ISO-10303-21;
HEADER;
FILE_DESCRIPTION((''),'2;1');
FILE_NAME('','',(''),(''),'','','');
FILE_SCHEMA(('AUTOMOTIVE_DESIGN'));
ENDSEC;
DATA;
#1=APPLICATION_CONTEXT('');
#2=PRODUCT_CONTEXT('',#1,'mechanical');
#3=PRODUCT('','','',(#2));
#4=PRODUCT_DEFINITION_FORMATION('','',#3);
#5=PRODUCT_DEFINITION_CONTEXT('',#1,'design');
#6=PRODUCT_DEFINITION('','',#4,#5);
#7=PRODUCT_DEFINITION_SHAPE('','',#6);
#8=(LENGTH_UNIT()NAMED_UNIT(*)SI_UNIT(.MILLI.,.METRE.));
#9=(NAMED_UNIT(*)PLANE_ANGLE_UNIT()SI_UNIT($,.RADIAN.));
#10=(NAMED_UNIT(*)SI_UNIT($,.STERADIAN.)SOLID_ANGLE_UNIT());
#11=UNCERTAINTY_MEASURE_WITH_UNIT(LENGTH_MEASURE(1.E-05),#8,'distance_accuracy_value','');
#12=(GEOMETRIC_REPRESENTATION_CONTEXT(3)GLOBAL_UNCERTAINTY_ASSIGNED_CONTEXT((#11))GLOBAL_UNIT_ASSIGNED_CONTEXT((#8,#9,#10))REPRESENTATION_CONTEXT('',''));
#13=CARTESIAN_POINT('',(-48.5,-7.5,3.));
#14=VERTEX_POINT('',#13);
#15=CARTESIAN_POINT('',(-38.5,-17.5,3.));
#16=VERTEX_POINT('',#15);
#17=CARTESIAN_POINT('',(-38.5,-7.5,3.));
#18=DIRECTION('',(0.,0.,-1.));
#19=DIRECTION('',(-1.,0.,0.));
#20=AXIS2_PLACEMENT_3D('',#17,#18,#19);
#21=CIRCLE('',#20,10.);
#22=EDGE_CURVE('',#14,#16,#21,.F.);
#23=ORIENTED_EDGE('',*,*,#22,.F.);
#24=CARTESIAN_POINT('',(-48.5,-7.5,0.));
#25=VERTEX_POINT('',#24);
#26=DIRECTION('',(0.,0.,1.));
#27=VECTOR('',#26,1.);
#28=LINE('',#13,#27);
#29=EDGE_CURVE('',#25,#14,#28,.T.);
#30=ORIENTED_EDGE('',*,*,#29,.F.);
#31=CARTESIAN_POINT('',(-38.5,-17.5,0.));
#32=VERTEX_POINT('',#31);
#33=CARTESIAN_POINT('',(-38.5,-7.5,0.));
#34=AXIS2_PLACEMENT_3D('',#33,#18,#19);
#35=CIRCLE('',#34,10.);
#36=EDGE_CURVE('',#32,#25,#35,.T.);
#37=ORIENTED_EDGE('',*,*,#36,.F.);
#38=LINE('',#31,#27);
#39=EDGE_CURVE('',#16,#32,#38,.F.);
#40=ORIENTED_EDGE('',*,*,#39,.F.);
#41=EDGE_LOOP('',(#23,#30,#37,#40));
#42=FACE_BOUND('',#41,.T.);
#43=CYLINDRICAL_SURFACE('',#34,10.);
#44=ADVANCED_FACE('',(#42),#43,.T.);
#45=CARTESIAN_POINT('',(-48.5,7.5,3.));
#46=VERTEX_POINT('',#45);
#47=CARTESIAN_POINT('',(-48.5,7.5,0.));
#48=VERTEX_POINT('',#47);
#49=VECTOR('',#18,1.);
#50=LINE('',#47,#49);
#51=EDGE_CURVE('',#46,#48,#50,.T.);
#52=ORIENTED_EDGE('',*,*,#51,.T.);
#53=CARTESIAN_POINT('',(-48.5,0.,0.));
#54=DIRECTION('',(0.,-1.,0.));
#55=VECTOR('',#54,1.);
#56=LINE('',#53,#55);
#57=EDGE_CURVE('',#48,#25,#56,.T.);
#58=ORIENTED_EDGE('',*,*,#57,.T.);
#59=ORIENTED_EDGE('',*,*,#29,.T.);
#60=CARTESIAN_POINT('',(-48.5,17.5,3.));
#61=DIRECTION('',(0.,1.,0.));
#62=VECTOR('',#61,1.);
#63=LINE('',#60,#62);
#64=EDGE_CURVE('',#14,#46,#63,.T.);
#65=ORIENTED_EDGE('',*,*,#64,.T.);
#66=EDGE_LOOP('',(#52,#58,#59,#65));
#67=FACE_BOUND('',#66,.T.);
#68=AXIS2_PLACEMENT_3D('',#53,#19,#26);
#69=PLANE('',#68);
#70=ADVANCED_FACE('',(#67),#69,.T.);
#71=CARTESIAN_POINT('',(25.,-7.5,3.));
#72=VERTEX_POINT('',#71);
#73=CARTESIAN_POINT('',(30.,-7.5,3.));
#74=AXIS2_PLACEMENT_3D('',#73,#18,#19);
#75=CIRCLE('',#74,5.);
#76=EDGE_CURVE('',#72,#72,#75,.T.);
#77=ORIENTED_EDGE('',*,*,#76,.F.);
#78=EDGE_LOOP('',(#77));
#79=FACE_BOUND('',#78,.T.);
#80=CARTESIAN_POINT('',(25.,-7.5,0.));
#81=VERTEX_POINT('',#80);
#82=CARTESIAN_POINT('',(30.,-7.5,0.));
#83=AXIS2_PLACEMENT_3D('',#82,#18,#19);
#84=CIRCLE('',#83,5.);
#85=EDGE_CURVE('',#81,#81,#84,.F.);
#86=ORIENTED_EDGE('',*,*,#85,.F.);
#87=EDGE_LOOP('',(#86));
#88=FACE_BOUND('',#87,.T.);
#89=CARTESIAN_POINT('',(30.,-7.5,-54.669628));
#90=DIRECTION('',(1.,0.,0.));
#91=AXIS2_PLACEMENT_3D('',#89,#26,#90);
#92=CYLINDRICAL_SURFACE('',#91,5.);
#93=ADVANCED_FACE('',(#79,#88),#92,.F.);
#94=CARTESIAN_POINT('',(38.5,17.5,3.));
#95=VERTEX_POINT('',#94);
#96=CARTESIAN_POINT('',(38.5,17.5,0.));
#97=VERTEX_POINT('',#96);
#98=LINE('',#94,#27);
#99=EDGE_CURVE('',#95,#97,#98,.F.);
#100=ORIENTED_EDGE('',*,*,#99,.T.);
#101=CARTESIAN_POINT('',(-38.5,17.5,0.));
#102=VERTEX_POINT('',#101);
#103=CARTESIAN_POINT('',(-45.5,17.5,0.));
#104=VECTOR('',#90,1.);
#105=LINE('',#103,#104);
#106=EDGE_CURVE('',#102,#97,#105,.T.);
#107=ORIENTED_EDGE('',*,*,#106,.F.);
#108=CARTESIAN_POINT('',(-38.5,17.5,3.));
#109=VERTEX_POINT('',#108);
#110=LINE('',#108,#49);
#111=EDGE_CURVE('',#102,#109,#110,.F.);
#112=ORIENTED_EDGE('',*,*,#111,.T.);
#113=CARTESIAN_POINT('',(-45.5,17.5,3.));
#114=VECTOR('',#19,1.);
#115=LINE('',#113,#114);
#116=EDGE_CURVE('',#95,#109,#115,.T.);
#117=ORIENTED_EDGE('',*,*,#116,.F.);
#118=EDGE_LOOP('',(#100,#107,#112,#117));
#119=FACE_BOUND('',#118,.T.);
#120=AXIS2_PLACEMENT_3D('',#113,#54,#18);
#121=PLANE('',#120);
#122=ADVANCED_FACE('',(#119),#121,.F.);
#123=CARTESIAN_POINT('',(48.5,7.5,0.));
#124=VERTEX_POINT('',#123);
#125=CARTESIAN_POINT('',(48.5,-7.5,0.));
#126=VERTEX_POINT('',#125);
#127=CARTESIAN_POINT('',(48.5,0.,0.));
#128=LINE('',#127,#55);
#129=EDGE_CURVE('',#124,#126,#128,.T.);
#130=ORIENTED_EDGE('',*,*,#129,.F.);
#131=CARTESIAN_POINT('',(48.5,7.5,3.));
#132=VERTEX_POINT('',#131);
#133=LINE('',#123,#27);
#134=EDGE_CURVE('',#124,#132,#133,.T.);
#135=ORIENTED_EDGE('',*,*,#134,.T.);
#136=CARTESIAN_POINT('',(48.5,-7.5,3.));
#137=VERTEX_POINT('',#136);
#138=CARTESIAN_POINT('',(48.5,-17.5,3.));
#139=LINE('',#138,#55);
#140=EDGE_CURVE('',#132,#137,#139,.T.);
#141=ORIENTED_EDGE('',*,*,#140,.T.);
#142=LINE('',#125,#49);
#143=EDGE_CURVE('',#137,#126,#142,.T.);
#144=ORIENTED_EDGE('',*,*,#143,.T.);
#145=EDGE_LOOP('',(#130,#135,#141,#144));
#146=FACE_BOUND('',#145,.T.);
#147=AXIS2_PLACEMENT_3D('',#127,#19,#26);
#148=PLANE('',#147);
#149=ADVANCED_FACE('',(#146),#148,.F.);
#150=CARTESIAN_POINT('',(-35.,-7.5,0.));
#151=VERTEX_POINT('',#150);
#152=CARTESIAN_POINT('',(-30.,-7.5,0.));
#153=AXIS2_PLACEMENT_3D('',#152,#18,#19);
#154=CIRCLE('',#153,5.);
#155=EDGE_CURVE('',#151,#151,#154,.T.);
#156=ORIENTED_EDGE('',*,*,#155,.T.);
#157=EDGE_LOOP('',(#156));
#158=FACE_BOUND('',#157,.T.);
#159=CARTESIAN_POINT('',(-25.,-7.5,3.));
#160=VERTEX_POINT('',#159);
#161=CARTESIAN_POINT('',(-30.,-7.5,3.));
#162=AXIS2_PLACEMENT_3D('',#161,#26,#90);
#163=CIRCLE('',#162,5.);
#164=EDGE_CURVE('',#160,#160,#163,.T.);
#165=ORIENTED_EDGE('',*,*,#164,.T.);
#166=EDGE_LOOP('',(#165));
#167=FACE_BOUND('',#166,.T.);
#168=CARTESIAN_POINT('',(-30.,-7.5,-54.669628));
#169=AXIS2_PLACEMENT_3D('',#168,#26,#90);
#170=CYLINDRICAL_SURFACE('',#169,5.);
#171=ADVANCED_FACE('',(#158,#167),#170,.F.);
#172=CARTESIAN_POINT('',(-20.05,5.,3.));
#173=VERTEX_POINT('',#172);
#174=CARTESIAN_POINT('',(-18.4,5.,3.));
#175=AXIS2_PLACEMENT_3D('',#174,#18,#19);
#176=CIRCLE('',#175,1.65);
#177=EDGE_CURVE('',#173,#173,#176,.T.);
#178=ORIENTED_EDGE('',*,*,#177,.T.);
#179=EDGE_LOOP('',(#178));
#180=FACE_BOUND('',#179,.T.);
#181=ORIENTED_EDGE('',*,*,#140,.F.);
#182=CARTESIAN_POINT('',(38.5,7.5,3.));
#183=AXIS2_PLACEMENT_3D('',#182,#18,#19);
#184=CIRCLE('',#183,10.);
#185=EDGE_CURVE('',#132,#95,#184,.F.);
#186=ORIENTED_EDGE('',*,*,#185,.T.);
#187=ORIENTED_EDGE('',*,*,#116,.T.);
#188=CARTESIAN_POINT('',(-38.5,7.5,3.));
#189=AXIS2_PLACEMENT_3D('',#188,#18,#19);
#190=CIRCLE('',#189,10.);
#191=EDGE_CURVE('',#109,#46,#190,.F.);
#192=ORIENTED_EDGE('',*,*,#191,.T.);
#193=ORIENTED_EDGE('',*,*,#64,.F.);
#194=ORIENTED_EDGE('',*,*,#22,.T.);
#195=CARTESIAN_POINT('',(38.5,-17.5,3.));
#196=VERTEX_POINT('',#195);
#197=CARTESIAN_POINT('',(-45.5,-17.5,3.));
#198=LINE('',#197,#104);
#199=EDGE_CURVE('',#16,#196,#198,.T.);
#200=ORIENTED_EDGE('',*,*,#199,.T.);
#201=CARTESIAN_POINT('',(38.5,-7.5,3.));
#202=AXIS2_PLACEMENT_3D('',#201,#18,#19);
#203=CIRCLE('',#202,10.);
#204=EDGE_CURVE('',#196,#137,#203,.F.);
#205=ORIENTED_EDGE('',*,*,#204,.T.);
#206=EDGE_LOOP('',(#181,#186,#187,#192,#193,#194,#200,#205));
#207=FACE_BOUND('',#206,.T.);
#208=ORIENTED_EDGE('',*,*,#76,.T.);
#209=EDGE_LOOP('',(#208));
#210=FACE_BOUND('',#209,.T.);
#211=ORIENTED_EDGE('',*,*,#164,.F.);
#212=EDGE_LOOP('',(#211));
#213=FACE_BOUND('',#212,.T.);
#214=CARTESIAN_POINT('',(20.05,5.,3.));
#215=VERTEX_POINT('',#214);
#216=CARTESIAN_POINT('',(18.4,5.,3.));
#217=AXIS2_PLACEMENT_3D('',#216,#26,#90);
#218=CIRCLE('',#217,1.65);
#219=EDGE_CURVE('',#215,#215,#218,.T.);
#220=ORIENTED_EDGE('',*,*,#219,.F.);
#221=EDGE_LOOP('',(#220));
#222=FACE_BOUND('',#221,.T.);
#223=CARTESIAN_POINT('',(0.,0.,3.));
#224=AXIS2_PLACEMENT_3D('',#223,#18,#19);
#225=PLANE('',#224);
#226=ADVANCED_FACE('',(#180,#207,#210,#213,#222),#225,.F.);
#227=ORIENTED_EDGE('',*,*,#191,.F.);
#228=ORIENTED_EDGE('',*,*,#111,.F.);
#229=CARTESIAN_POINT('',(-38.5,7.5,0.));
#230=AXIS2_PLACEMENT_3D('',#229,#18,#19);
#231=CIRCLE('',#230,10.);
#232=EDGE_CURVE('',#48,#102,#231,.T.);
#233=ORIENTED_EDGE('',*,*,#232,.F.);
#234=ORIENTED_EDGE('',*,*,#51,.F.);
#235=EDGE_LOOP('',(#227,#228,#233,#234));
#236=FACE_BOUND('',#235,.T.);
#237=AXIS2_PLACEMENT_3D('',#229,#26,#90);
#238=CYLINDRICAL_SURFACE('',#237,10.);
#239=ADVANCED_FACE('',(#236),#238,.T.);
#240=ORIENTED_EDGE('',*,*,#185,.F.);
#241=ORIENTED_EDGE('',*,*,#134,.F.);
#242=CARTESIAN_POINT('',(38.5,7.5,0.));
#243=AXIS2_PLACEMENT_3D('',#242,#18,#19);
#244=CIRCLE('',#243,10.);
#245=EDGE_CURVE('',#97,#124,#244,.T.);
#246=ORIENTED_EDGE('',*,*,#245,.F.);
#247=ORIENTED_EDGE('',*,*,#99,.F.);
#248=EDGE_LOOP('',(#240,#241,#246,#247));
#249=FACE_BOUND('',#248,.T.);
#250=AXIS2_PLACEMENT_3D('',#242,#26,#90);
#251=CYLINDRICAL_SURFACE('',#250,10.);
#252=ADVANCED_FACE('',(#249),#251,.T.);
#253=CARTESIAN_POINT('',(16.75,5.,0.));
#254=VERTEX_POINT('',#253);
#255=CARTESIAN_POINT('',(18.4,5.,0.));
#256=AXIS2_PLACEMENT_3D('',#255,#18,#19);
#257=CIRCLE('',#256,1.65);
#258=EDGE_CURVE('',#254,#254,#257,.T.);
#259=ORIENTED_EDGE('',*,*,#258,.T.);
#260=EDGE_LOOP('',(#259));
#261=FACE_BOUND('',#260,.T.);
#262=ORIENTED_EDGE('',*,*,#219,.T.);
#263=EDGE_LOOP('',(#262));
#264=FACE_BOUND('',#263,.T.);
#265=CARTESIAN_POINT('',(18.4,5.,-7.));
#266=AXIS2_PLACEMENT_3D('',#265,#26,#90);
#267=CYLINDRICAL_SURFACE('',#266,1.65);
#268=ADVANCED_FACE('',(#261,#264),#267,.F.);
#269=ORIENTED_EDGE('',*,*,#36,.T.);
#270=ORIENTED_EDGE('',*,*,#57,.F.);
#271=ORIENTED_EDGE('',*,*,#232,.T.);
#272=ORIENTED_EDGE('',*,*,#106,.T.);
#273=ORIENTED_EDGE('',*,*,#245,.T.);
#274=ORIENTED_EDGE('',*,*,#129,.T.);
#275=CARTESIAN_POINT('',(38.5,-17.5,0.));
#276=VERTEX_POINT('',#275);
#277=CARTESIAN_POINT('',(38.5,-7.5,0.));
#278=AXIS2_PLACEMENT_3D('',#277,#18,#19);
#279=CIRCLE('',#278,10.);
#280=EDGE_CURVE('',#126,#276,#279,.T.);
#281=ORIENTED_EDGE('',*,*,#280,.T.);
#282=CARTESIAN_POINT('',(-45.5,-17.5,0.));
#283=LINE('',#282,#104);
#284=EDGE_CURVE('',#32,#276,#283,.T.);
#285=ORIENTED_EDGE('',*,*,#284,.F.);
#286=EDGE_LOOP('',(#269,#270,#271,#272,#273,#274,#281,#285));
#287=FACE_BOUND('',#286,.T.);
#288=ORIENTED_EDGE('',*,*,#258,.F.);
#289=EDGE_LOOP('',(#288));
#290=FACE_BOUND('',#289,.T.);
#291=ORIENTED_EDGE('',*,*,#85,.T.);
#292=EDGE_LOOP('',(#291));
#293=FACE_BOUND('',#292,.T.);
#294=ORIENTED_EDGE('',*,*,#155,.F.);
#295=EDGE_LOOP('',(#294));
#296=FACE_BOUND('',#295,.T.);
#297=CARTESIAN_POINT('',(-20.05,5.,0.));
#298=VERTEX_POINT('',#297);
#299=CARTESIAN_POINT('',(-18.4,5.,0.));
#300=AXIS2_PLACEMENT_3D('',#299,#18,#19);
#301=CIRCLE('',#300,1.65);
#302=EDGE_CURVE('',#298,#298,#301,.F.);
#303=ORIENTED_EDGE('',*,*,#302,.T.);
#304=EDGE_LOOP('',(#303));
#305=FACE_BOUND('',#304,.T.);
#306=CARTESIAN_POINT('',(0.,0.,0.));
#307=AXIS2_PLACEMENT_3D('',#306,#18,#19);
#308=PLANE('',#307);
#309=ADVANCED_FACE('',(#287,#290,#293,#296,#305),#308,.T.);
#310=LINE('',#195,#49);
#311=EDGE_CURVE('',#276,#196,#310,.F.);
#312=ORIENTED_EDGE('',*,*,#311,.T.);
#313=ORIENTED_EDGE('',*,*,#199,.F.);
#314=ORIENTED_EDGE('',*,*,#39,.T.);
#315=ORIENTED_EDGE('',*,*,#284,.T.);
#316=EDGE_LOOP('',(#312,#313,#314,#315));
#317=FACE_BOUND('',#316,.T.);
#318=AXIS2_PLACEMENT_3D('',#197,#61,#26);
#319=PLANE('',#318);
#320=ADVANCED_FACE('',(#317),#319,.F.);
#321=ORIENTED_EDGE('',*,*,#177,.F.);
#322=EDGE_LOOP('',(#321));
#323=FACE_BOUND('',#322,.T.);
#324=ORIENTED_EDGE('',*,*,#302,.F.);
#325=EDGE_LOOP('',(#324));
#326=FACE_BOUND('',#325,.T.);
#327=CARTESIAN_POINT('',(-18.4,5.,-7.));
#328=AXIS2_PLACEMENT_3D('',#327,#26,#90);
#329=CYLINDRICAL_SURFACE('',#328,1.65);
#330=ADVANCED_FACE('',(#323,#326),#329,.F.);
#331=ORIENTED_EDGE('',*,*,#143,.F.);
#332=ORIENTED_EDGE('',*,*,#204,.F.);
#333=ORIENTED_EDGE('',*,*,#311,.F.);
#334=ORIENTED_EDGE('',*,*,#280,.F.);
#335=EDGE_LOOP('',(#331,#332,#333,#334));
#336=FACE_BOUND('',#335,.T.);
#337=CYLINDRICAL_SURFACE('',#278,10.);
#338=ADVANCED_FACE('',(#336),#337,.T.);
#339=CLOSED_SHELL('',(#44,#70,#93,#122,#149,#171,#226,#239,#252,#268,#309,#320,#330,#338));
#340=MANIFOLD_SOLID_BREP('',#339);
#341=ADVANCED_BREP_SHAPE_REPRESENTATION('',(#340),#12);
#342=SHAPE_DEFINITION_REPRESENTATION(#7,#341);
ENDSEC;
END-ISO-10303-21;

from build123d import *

# Parameters (mm, degrees)
SKETCH_1_W          = 91
SKETCH_1_H          = 35
EXTRUDE_2_DEPTH     = 3
SKETCH_2_R          = 1.25
CUT_EXTRUDE_1_DEPTH = 3
SKETCH_3_W          = 91
SKETCH_3_H          = 3
EXTRUDE_3_DEPTH     = 12
EXTRUDE_4_DEPTH     = 3
SKETCH_6_R          = 1.25
CUT_EXTRUDE_2_DEPTH = 3
SKETCH_7_W          = 27
SKETCH_7_H          = 35
EXTRUDE_5_DEPTH     = 3
SKETCH_8_R          = 1.25
CUT_EXTRUDE_3_DEPTH = 3
CUT_EXTRUDE_4_DEPTH = 57.669628421
SKETCH_10_R         = 5
CUT_EXTRUDE_5_DEPTH = 57.669628421
FILLET_1_R          = 10
SKETCH_11_R         = 1.65
CUT_EXTRUDE_6_DEPTH = 10
EXTRUDE_START       = -3
SKETCH_12_R         = 1.25
EXTRUDE_6_DEPTH     = 3


with BuildPart() as part:
    # 草图1 → 凸台-拉伸2 (new body)
    with BuildSketch(Plane.XY):
        Rectangle(SKETCH_1_W, SKETCH_1_H)
    extrude(amount=EXTRUDE_2_DEPTH)

    # 草图2 → 切除-拉伸1 (cut)
    with BuildSketch(Plane(origin=(0, 0, 0), x_dir=(-1, 0, 0), z_dir=(0, 0, -1))):
        with Locations((-22.5, 5)):
            Circle(SKETCH_2_R)
        with Locations(Location((22.5, 5, 0), (0, 0, 180))):
            Circle(SKETCH_2_R)
    extrude(amount=-CUT_EXTRUDE_1_DEPTH, mode=Mode.SUBTRACT)

    # 草图3 → 凸台-拉伸3 (add)
    with BuildSketch(Plane(origin=(0, 0, 0), x_dir=(-1, 0, 0), z_dir=(0, 0, -1))):
        with Locations((0, 16)):
            Rectangle(SKETCH_3_W, SKETCH_3_H)
    extrude(amount=EXTRUDE_3_DEPTH)

    # 草图4 → 凸台-拉伸4 (add)
    with BuildSketch(Plane(origin=(45.5, 0, 0), x_dir=(0, 0, -1), z_dir=(1, 0, 0))):
        Polygon((12, 17.5), (24, 17.5), (24, -17.5), (-3, -17.5), (-3, 17.5), align=None)
    extrude(amount=EXTRUDE_4_DEPTH)

    # 草图6 → 切除-拉伸2 (cut)
    with BuildSketch(Plane.ZY.offset(-45.5)):
        with Locations((-20, 9.5)):
            Circle(SKETCH_6_R)
        with Locations(Location((-20, -15.5, 0), (0, 0, 180))):
            Circle(SKETCH_6_R)
    extrude(amount=-CUT_EXTRUDE_2_DEPTH, mode=Mode.SUBTRACT)

    # 草图7 → 凸台-拉伸5 (add)
    with BuildSketch(Plane.ZY.offset(45.5)):
        with Locations((-10.5, 0)):
            Rectangle(SKETCH_7_W, SKETCH_7_H)
    extrude(amount=EXTRUDE_5_DEPTH)

    # 草图8 → 切除-拉伸3 (cut)
    with BuildSketch(Plane.ZY.offset(48.5)):
        with Locations((-20, 9.5)):
            Circle(SKETCH_8_R)
        with Locations(Location((-20, -15.5, 0), (0, 0, 180))):
            Circle(SKETCH_8_R)
    extrude(amount=-CUT_EXTRUDE_3_DEPTH, mode=Mode.SUBTRACT)

    # 草图9 → 切除-拉伸4 (cut)
    with BuildSketch(Plane(origin=(0, 0, 0), x_dir=(-1, 0, 0), z_dir=(0, 0, -1))):
        Polygon((-104.540404499, 43.487772061), (97.135742415, 67.997211031), (114.089056769, -71.503294087), (-87.587090144, -96.012733056), align=None)
    extrude(amount=CUT_EXTRUDE_4_DEPTH, mode=Mode.SUBTRACT)

    # 草图10 → 切除-拉伸5 (cut)
    with BuildSketch(Plane.XY.offset(3)):
        with Locations((-30, -7.5)):
            Circle(SKETCH_10_R)
        with Locations(Location((30, -7.5, 0), (0, 0, 180))):
            Circle(SKETCH_10_R)
    extrude(amount=-CUT_EXTRUDE_5_DEPTH, mode=Mode.SUBTRACT)

    # 圆角1
    fillet_1_edges = [part.edges().sort_by_distance(p)[0] for p in [
        (48.5, -17.5, 1.5),
        (-48.5, 17.5, 1.5),
        (-48.5, -17.5, 1.5),
        (48.5, 17.5, 1.5),
    ]]
    fillet(fillet_1_edges, radius=FILLET_1_R)

    # 草图11 → 切除-拉伸6 (cut)
    with BuildSketch(Plane.XY.offset(3)):
        with Locations((18.4, 5)):
            Circle(SKETCH_11_R)
        with Locations(Location((-18.4, 5, 0), (0, 0, 180))):
            Circle(SKETCH_11_R)
    extrude(amount=-CUT_EXTRUDE_6_DEPTH, mode=Mode.SUBTRACT)

    # 草图12 → 凸台-拉伸6 (add)
    with BuildSketch(Plane.XY.offset(3).offset(EXTRUDE_START)):
        with Locations((22.5, 5)):
            Circle(SKETCH_12_R)
        with Locations((-22.5, 5)):
            Circle(SKETCH_12_R)
    extrude(amount=EXTRUDE_6_DEPTH)


solid = part.part
